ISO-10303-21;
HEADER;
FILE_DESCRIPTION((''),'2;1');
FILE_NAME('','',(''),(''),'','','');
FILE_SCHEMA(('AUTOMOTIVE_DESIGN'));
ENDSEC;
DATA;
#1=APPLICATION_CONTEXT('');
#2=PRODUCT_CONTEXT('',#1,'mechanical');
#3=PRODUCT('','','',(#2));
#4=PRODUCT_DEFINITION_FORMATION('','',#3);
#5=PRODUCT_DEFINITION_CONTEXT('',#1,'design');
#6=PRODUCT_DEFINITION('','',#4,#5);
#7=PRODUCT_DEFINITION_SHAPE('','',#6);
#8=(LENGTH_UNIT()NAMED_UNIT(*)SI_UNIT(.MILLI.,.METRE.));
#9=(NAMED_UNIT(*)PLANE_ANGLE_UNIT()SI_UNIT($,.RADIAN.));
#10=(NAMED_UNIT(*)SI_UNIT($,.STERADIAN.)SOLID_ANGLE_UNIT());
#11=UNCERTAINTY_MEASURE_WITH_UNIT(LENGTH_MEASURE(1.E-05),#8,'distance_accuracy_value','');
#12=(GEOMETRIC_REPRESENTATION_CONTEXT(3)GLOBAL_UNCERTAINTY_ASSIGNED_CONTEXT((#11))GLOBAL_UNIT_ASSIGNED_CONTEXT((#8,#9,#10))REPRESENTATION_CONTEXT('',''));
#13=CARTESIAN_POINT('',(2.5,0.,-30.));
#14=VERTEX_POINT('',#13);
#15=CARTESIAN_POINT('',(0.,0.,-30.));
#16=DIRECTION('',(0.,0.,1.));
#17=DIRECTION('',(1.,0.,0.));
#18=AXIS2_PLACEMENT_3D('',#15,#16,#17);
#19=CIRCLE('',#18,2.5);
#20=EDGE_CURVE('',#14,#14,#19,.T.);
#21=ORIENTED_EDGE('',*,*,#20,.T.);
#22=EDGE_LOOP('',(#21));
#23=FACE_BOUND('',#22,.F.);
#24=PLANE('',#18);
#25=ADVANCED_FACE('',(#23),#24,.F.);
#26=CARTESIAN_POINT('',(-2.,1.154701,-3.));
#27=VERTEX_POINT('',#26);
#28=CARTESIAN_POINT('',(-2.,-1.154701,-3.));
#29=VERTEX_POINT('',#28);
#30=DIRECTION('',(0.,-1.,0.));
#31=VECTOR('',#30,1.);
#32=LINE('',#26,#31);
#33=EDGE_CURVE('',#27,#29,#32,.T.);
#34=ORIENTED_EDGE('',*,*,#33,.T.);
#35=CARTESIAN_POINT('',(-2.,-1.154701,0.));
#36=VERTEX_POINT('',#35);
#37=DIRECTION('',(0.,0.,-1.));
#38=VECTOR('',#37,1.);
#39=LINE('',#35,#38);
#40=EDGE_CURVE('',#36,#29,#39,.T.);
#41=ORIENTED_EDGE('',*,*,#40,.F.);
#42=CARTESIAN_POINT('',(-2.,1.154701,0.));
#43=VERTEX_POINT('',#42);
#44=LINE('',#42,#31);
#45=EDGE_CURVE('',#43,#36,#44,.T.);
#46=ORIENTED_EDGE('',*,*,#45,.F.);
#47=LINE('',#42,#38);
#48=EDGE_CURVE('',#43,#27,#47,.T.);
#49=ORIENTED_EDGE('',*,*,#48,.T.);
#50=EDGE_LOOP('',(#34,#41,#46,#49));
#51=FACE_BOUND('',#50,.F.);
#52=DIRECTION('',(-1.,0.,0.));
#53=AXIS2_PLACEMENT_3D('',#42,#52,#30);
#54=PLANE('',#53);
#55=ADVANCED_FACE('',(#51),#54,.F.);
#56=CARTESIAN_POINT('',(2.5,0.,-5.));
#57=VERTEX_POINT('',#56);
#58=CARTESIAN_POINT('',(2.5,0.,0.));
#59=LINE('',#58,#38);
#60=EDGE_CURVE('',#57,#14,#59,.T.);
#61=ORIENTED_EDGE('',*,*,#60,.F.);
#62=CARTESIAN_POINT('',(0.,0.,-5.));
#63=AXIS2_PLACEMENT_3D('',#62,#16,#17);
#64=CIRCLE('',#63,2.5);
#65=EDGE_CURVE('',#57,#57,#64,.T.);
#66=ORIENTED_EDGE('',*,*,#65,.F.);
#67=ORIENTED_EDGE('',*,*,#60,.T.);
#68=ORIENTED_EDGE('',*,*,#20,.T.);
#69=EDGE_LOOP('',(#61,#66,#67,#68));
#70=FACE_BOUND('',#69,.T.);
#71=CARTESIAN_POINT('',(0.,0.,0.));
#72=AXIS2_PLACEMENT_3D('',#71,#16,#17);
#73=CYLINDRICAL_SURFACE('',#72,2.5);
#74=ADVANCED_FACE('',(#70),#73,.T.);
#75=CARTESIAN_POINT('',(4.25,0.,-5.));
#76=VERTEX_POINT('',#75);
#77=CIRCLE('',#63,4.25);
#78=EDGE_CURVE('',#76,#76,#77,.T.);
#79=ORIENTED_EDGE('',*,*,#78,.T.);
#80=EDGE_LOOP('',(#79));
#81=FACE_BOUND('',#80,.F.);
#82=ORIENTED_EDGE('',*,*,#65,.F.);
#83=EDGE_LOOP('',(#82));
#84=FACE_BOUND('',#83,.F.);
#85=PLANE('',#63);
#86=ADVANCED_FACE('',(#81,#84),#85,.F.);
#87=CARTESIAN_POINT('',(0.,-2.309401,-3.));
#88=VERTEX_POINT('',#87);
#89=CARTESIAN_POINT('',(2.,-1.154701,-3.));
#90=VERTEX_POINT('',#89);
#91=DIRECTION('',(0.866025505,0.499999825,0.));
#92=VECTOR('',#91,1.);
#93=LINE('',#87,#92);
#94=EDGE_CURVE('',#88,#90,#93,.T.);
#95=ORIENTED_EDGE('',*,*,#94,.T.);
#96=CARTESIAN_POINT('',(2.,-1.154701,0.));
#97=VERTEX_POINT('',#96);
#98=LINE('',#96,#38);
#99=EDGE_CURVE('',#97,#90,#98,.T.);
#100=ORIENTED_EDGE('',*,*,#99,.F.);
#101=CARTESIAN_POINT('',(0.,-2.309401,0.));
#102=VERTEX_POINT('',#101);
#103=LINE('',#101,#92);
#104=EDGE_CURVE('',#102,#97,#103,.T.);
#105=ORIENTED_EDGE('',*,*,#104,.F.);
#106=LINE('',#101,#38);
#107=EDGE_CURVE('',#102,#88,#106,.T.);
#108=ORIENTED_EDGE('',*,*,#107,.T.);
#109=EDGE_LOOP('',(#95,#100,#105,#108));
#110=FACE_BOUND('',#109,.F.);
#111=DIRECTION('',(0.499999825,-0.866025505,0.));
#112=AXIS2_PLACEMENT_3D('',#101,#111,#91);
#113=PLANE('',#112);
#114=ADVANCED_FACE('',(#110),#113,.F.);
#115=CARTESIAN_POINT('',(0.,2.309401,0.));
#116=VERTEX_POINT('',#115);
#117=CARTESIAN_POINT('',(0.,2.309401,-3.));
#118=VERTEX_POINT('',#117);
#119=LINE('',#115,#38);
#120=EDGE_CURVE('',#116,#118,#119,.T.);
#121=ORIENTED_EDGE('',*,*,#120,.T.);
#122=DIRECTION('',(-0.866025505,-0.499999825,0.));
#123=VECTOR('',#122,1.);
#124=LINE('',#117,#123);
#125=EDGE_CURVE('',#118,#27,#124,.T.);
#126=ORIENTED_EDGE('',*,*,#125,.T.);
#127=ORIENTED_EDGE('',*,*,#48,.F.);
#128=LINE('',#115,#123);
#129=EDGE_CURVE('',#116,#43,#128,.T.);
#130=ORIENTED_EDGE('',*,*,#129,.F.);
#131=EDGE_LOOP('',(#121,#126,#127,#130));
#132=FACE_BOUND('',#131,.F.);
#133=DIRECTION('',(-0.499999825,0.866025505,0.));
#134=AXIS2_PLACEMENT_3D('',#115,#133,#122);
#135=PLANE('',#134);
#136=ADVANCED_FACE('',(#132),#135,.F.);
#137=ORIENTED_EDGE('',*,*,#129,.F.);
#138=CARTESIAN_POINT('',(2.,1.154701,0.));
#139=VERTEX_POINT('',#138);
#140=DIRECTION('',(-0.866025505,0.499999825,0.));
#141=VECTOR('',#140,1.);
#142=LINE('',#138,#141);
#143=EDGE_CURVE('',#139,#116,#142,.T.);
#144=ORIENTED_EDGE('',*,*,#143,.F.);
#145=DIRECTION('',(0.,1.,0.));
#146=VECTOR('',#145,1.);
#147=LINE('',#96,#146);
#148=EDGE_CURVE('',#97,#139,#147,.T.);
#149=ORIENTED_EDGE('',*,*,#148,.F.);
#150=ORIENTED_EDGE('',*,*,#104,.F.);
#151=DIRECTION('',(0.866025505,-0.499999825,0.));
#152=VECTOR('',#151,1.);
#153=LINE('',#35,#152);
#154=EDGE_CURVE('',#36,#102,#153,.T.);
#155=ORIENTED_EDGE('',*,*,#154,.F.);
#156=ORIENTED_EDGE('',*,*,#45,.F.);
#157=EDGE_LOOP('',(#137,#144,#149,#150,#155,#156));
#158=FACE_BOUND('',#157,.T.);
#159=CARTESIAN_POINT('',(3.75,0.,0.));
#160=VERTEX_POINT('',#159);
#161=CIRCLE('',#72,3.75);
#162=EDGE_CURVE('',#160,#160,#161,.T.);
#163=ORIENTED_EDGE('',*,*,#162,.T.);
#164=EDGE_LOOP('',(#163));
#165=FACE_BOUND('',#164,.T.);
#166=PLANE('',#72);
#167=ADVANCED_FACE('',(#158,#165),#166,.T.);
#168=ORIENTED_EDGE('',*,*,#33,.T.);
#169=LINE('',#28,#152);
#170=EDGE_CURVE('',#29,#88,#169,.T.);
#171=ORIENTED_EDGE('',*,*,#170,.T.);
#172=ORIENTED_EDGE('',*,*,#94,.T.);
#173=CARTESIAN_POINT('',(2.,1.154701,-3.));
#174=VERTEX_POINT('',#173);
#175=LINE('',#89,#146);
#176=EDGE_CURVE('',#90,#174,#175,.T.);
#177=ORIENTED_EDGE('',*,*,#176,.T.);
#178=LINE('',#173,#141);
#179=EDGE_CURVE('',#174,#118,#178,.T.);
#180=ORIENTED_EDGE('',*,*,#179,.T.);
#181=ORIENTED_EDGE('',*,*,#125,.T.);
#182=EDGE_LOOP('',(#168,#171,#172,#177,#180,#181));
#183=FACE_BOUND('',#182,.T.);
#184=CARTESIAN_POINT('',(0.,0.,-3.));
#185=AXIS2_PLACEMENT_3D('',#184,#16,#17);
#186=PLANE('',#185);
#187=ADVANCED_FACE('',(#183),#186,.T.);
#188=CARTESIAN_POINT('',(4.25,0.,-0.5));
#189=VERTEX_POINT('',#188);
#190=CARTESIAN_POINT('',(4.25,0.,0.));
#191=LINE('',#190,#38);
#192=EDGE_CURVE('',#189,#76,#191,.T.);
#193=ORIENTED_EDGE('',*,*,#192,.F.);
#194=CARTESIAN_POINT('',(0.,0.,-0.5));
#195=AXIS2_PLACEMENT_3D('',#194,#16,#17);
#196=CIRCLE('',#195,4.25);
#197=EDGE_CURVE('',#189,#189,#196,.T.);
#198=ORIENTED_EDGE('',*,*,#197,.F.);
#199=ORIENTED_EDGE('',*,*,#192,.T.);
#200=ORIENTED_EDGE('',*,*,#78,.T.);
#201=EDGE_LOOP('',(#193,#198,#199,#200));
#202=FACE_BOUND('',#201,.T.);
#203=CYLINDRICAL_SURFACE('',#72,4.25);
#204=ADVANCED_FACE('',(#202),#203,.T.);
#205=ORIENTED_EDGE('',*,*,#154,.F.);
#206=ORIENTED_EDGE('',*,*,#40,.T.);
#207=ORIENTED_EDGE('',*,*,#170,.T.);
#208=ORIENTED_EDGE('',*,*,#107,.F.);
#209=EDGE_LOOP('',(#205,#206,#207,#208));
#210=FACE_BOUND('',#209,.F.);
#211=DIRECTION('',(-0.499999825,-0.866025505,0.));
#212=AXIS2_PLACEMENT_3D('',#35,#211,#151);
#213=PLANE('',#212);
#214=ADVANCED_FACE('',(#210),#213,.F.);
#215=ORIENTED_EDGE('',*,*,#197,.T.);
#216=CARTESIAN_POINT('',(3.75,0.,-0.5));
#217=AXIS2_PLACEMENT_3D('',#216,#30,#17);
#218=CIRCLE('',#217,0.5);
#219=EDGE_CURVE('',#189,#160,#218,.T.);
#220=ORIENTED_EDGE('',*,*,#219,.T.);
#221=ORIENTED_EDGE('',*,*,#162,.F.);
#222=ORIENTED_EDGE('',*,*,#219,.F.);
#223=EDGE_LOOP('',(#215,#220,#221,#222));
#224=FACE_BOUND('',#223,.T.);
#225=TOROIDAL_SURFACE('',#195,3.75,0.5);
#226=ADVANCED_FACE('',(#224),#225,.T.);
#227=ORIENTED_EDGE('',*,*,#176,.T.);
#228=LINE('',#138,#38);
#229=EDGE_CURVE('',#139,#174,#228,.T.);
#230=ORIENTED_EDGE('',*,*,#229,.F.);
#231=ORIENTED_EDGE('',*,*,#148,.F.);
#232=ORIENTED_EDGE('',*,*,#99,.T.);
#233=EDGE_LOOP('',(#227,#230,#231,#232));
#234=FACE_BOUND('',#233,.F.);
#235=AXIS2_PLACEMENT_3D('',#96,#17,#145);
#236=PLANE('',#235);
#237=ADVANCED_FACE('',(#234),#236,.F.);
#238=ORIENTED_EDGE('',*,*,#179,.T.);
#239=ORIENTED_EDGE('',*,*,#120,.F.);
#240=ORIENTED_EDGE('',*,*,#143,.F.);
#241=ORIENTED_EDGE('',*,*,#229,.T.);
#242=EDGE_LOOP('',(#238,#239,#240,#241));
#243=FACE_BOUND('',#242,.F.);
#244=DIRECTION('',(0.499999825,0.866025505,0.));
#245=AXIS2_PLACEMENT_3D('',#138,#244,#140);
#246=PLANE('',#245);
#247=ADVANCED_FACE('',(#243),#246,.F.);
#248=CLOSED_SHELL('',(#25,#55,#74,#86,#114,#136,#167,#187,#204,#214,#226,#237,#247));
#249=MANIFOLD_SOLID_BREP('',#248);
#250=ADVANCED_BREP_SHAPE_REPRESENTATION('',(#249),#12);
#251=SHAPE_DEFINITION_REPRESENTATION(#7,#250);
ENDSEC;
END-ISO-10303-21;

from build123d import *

# Parameters (mm, degrees)
F0_R     = 4.25
F0_R_2   = 2.5
F1_DEPTH = 5
F2_DEPTH = 30
F3_DEPTH = 3
F4_R     = 0.5


with BuildPart() as f1:
    # F0 (on Top) → F1 (new body)
    with BuildSketch(Plane.XY):
        Circle(F0_R)
        Circle(F0_R_2, mode=Mode.SUBTRACT)
    extrude(amount=-F1_DEPTH)

    # F0 (on Top) → F2 (join)
    with BuildSketch(Plane.XY):
        Circle(F0_R_2)
        Polygon((0, 2.309401), (2, 1.154701), (2, -1.154701), (0, -2.309401), (-2, -1.154701), (-2, 1.154701), align=None, mode=Mode.SUBTRACT)
        Polygon((2, -1.154701), (2, 1.154701), (0, 2.309401), (-2, 1.154701), (-2, -1.154701), (0, -2.309401), align=None)
    extrude(amount=-F2_DEPTH)

    # F0 (on Top) → F3 (cut)
    with BuildSketch(Plane.XY):
        Polygon((2, -1.154701), (2, 1.154701), (0, 2.309401), (-2, 1.154701), (-2, -1.154701), (0, -2.309401), align=None)
    extrude(amount=-F3_DEPTH, mode=Mode.SUBTRACT)

    # F4
    f4_edges = [f1.edges().sort_by_distance(p)[0] for p in [
        (-4.25, 0, 0),
    ]]
    fillet(f4_edges, radius=F4_R)


solid = f1.part
